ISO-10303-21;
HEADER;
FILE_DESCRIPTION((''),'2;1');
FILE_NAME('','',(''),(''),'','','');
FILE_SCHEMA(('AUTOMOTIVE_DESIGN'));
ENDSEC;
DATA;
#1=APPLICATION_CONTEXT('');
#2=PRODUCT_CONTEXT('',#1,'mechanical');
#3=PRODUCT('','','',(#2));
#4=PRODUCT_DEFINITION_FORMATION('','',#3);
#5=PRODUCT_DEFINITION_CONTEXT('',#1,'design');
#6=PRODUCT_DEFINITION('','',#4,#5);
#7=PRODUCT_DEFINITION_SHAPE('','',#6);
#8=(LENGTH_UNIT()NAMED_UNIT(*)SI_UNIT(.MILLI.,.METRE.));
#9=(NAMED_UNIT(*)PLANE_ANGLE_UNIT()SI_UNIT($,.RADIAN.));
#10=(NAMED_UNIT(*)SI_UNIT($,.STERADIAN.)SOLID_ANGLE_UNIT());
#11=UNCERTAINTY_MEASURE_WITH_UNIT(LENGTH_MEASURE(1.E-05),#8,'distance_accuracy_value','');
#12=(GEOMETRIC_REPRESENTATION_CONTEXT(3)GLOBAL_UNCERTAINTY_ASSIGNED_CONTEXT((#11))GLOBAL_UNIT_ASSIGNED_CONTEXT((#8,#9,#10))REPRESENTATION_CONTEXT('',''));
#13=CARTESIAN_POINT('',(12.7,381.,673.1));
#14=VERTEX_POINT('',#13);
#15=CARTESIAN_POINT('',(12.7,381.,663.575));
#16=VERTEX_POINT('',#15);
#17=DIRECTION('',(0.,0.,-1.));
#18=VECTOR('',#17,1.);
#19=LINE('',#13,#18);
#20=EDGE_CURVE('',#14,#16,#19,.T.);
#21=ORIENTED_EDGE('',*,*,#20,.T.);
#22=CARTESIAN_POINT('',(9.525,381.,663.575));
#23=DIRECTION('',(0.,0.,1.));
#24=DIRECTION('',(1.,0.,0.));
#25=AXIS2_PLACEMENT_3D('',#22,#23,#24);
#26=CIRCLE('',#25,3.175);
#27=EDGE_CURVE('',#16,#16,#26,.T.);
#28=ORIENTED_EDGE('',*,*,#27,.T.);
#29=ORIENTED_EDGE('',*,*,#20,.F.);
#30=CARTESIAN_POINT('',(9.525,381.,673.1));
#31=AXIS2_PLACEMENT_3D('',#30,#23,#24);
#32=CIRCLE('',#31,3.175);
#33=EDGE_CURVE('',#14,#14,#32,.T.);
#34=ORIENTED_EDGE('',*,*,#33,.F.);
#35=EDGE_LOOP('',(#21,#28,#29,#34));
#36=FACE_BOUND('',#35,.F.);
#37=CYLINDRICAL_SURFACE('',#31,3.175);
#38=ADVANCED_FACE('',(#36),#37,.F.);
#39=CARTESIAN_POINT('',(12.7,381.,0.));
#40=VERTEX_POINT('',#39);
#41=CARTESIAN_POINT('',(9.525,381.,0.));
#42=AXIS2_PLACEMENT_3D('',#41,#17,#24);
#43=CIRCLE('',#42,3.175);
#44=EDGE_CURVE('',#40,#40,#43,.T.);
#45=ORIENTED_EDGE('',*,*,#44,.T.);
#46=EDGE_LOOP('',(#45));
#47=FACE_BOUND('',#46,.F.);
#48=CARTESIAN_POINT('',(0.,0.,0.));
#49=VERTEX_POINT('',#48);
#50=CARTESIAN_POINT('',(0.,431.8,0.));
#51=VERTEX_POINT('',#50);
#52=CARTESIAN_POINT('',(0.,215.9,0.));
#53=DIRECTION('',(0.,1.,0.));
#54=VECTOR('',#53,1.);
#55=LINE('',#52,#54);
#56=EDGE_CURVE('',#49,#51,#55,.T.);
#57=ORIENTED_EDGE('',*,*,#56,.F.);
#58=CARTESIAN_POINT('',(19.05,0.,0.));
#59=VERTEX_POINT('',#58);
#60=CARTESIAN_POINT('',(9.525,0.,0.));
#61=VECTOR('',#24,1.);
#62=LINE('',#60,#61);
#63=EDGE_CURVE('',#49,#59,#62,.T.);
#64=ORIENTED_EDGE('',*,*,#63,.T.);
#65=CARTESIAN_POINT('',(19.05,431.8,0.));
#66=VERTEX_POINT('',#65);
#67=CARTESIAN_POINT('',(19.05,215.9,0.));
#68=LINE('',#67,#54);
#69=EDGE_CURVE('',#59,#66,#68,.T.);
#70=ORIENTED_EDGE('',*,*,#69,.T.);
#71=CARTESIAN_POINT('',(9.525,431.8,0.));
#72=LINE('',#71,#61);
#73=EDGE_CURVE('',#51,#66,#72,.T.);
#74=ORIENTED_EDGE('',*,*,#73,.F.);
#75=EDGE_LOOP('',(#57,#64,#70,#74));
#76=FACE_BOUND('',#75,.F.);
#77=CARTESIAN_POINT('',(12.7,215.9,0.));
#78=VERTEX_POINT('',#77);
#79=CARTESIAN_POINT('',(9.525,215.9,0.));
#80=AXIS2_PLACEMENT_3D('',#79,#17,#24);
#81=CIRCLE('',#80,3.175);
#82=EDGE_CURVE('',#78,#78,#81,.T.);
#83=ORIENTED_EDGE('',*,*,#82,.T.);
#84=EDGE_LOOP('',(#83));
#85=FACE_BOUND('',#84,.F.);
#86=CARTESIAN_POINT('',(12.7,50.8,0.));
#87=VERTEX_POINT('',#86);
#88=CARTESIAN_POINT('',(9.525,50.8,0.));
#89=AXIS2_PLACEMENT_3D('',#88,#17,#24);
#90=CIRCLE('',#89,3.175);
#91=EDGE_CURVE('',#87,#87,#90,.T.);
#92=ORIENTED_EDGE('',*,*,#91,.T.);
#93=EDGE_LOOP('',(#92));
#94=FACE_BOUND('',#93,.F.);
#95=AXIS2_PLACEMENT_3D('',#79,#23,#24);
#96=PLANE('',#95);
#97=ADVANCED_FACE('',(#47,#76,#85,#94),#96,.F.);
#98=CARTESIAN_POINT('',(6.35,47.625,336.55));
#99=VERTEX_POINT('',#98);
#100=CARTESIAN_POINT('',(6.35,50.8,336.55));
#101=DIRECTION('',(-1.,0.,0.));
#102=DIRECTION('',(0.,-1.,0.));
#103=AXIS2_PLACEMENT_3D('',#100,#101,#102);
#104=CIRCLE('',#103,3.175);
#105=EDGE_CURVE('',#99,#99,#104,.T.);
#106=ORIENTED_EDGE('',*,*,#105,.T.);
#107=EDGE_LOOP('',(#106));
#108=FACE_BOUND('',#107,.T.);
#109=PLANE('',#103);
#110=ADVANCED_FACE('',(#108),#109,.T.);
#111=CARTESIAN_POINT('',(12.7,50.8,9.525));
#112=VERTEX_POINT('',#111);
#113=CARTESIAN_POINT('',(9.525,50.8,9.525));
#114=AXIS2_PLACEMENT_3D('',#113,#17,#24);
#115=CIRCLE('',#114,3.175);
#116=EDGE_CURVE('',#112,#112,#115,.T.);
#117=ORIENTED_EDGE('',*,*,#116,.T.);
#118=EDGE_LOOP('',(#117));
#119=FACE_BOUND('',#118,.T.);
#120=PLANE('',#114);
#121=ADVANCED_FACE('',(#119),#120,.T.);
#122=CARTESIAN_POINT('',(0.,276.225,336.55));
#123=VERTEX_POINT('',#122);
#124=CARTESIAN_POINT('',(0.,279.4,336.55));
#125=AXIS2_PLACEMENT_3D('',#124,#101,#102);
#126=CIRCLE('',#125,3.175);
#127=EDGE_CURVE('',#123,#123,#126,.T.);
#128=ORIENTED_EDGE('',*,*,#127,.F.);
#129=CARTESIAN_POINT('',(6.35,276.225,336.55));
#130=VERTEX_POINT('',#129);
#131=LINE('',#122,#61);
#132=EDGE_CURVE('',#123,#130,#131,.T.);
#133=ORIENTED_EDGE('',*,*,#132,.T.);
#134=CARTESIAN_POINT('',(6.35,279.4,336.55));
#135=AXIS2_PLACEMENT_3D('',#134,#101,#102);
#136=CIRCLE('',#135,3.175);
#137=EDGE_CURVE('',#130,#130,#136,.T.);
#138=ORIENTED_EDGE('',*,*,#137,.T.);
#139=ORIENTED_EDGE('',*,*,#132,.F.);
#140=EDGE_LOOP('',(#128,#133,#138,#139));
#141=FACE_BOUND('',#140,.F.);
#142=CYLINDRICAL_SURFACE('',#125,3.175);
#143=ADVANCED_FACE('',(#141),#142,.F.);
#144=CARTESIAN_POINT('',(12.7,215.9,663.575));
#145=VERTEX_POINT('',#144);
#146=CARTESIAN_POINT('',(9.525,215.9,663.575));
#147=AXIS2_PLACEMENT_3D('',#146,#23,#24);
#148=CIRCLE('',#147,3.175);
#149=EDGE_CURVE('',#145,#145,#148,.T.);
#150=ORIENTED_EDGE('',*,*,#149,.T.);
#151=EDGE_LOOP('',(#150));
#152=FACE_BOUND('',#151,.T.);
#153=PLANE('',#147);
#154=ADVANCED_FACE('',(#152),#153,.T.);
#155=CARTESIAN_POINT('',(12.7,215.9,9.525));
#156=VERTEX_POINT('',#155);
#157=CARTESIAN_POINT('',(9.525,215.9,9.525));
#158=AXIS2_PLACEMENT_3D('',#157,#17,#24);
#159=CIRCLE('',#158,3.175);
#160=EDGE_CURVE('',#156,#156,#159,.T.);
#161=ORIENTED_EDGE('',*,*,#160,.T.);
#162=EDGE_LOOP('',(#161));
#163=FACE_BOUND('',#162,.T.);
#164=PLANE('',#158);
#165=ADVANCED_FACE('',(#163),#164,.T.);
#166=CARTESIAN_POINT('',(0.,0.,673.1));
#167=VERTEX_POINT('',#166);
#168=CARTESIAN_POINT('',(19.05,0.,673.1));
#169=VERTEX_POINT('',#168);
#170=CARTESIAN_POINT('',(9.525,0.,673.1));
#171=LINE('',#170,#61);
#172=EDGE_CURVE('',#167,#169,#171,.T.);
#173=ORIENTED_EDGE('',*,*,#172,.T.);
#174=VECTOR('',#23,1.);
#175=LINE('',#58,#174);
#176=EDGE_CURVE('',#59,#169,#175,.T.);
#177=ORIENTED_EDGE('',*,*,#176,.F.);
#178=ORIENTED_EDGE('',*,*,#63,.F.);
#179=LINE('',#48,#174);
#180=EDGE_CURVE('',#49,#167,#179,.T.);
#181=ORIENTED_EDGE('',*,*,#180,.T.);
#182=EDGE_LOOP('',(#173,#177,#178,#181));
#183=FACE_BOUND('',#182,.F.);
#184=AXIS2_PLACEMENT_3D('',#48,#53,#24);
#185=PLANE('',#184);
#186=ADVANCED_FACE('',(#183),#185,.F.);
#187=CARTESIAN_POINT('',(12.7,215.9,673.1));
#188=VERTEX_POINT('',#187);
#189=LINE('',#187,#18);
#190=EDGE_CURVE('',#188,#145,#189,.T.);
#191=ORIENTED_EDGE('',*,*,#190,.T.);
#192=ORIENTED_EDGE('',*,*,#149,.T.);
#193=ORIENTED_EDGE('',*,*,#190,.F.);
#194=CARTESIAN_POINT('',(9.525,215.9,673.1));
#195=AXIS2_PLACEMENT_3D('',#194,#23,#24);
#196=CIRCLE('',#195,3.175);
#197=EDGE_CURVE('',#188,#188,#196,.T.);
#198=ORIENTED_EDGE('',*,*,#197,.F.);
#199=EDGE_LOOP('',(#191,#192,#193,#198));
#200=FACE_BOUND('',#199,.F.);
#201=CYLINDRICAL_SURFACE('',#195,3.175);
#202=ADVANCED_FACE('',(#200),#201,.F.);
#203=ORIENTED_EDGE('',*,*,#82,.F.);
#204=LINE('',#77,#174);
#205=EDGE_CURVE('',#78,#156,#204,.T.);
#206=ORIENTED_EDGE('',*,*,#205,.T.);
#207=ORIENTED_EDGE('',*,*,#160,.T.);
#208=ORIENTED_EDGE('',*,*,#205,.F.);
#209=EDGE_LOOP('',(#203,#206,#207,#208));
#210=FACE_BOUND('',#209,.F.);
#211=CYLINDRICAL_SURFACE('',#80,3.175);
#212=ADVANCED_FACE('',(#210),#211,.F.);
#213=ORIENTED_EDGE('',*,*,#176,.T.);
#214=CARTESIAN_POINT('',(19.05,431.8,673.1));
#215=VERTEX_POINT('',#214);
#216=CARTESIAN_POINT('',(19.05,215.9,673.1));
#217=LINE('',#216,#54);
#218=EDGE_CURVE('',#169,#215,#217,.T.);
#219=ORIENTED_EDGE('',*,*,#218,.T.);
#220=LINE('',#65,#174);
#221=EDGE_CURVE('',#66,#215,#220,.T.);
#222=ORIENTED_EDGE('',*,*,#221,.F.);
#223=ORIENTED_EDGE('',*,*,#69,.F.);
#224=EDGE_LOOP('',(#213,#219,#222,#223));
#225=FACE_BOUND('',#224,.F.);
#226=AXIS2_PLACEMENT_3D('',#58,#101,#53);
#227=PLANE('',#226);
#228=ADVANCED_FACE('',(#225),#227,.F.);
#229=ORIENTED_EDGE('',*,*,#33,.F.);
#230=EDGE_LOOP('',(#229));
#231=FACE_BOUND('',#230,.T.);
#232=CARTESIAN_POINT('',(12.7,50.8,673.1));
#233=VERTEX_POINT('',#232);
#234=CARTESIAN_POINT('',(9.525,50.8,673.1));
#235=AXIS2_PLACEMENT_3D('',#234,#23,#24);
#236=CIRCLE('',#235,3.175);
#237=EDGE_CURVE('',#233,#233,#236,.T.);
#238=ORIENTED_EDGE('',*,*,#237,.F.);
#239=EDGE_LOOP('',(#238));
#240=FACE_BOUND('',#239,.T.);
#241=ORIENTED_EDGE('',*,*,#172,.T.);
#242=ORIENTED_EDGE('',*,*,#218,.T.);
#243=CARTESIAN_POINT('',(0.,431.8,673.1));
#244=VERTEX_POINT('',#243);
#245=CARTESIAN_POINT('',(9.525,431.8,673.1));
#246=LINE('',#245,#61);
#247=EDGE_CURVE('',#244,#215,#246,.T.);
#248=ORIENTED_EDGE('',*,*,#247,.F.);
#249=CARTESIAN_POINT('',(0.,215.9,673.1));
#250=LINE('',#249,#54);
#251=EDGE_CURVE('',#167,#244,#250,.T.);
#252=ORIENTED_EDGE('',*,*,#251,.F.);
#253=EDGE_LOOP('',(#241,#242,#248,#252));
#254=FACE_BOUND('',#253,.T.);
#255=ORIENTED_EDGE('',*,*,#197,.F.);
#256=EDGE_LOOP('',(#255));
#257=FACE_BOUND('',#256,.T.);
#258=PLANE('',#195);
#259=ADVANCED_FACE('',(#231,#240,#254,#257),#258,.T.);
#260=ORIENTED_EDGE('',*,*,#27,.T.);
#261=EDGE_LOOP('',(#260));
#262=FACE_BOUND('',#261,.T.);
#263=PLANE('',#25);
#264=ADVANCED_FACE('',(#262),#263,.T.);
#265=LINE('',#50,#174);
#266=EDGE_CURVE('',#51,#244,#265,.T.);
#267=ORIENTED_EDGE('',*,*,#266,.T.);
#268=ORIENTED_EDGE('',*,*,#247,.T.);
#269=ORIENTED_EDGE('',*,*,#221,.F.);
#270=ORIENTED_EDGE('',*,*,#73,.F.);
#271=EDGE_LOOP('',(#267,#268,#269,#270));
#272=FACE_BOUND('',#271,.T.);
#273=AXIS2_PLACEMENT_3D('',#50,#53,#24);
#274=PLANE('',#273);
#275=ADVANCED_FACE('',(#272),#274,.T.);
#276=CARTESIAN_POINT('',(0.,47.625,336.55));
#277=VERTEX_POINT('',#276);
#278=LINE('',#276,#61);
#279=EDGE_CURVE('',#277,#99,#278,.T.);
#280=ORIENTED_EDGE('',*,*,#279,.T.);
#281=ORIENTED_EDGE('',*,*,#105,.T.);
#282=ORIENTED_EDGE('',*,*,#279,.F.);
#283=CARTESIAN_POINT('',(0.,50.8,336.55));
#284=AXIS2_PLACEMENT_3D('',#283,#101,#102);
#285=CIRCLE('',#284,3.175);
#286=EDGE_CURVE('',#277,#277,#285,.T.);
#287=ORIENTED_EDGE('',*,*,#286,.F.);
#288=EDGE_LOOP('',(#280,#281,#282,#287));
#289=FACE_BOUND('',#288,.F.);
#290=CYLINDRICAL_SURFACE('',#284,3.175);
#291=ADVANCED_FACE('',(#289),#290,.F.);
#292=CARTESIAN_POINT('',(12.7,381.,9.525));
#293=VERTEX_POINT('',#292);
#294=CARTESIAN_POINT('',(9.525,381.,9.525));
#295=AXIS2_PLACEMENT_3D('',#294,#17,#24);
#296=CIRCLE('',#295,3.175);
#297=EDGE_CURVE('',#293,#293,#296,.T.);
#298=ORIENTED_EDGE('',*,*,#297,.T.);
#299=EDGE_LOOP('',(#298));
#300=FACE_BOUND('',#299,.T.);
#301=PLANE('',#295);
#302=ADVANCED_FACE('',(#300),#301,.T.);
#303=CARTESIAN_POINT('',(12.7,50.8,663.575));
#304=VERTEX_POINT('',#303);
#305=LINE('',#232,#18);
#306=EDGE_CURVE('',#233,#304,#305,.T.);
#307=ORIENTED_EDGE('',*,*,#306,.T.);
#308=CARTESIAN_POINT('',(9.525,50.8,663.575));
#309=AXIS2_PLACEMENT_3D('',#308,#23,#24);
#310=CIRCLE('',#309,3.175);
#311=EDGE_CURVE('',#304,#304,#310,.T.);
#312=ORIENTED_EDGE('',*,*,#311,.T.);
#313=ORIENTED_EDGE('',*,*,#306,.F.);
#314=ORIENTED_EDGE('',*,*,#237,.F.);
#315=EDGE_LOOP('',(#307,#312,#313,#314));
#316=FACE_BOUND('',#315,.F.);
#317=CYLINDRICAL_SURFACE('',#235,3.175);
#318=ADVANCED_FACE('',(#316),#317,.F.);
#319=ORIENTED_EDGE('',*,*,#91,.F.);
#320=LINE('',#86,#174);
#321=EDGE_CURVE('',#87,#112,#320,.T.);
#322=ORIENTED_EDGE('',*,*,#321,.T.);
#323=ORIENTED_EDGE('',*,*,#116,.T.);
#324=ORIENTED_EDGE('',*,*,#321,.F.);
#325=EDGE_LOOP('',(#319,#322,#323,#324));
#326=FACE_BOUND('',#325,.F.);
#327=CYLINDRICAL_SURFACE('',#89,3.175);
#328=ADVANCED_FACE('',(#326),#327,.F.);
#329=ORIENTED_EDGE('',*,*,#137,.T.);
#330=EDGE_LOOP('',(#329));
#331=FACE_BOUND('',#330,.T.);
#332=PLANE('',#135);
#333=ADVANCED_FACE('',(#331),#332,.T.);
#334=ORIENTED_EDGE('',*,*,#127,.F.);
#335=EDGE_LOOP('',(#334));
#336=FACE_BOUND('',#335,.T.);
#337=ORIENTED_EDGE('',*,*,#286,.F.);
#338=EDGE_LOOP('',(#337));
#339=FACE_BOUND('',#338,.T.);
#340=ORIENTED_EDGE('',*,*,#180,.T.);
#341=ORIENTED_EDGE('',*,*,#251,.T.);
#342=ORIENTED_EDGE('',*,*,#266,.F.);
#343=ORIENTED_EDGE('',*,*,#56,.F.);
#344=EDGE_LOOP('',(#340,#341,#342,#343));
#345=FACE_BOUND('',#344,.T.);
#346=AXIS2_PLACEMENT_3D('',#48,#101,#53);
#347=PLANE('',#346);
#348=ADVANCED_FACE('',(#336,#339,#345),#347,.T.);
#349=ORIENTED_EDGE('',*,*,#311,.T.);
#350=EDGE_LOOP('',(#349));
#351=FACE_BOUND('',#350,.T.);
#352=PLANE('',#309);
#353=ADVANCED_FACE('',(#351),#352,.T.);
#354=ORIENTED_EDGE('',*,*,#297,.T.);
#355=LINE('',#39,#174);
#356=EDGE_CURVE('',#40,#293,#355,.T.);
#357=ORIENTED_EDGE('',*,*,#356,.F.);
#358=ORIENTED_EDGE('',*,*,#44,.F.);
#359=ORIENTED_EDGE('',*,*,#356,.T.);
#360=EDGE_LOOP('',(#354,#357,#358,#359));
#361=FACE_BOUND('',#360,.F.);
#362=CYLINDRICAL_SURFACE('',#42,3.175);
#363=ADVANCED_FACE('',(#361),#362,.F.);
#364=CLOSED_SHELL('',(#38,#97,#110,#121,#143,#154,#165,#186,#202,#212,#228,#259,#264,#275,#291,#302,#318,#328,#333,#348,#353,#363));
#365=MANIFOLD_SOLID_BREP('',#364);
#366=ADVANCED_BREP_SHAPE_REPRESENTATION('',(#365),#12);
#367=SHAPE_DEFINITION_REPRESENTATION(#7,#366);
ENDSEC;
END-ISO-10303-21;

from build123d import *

# Parameters (mm, degrees)
F0_W     = 19.05
F0_H     = 431.8
F1_DEPTH = 673.1
F2_R     = 3.175
F3_DEPTH = 9.525
F4_R     = 3.175
F5_DEPTH = 9.525
F6_R     = 3.175
F7_DEPTH = 6.35


with BuildPart() as f1:
    # F0 (on Top) → F1 (new body)
    with BuildSketch(Plane.XY):
        with Locations((9.525, 215.9)):
            Rectangle(F0_W, F0_H)
    extrude(amount=F1_DEPTH)

    # F2 (on face) → F3 (cut)
    with BuildSketch(Plane(origin=(0, 0, 0), x_dir=(1, 0, 0), z_dir=(0, 0, -1))):
        with Locations((9.525, -50.8)):
            Circle(F2_R)
        with Locations((9.525, -215.9)):
            Circle(F2_R)
        with Locations((9.525, -381)):
            Circle(F2_R)
    extrude(amount=-F3_DEPTH, mode=Mode.SUBTRACT)

    # F4 (on face) → F5 (cut)
    with BuildSketch(Plane.XY.offset(673.1)):
        with Locations((9.525, 381)):
            Circle(F4_R)
        with Locations((9.525, 215.9)):
            Circle(F4_R)
        with Locations((9.525, 50.8)):
            Circle(F4_R)
    extrude(amount=-F5_DEPTH, mode=Mode.SUBTRACT)

    # F6 (on face) → F7 (cut)
    with BuildSketch(Plane(origin=(0, 0, 0), x_dir=(0, -1, 0), z_dir=(-1, 0, 0))):
        with Locations((-279.4, 336.55)):
            Circle(F6_R)
        with Locations((-50.8, 336.55)):
            Circle(F6_R)
    extrude(amount=-F7_DEPTH, mode=Mode.SUBTRACT)


solid = f1.part
